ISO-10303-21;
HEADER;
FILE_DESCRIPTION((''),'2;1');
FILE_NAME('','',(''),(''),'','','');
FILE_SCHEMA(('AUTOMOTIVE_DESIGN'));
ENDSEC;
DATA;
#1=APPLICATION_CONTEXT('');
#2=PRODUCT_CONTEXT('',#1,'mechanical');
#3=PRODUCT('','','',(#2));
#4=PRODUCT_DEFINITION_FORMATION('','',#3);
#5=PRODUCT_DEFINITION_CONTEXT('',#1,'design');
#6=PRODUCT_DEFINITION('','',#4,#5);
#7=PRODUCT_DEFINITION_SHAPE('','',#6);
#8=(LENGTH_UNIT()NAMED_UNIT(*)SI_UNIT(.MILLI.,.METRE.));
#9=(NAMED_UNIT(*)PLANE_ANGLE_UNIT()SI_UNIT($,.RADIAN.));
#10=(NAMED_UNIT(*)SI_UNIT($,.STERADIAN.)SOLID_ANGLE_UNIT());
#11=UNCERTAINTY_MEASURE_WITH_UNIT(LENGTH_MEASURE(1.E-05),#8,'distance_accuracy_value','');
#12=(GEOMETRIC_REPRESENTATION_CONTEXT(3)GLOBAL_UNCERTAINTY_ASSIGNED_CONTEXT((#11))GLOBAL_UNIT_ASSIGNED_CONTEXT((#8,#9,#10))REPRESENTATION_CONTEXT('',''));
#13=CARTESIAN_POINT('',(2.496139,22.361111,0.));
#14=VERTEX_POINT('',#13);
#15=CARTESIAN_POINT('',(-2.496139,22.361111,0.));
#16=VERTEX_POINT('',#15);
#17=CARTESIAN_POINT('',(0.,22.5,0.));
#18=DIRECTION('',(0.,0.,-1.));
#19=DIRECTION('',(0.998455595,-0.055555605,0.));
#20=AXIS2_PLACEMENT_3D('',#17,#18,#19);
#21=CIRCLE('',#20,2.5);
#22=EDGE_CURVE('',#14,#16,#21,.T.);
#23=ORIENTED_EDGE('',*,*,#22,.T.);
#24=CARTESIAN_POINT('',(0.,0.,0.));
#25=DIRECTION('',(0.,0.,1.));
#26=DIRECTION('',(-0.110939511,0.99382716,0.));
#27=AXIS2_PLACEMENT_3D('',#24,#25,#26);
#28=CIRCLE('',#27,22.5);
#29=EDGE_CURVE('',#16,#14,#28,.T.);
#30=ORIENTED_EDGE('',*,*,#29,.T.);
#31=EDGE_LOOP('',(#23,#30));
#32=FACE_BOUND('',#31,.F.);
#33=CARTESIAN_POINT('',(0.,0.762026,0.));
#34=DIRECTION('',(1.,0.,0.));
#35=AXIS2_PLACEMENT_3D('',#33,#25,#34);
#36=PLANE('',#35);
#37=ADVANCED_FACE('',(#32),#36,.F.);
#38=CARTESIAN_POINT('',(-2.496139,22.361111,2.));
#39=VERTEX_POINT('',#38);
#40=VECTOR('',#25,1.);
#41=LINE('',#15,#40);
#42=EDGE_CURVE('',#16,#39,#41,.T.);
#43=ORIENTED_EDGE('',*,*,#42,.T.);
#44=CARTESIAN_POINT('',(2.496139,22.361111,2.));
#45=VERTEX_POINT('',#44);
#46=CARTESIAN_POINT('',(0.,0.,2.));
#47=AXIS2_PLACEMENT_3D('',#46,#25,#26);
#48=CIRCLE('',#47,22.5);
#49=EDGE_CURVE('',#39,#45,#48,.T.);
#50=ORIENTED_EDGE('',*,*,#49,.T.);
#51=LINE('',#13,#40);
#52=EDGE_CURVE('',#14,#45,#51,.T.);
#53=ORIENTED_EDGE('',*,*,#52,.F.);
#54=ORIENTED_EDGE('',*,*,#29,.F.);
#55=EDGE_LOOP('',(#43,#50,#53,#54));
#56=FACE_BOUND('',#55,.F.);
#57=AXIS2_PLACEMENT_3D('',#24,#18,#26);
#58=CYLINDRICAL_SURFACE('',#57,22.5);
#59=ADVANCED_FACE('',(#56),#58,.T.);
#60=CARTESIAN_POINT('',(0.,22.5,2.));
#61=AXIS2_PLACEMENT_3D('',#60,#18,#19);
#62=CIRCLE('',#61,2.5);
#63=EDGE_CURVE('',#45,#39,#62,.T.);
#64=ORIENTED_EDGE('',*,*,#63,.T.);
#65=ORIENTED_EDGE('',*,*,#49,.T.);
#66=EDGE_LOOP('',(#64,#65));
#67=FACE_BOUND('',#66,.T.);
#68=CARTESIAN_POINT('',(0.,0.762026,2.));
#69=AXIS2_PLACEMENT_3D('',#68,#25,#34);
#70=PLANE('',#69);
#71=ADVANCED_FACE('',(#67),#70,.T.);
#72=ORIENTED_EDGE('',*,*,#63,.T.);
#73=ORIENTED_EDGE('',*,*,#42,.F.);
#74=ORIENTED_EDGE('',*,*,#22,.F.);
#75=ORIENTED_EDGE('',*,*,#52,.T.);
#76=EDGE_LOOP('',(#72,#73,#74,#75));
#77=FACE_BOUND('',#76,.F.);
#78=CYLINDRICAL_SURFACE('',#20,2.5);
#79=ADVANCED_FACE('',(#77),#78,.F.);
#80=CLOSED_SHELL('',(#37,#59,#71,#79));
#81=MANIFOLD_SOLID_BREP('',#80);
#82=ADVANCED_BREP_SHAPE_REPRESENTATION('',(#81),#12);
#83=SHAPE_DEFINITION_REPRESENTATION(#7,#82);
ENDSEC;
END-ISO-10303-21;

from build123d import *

# Parameters (mm, degrees)
F1_DEPTH = 2


with BuildPart() as f1:
    # F0 (on Top) → F1 (new body)
    with BuildSketch(Plane.XY):
        with BuildLine():
            ThreePointArc((2.496139, 22.361111), (0, 20), (-2.496139, 22.361111))
            ThreePointArc((-2.496139, 22.361111), (0, -22.5), (2.496139, 22.361111))
        make_face()
    extrude(amount=F1_DEPTH)


solid = f1.part
